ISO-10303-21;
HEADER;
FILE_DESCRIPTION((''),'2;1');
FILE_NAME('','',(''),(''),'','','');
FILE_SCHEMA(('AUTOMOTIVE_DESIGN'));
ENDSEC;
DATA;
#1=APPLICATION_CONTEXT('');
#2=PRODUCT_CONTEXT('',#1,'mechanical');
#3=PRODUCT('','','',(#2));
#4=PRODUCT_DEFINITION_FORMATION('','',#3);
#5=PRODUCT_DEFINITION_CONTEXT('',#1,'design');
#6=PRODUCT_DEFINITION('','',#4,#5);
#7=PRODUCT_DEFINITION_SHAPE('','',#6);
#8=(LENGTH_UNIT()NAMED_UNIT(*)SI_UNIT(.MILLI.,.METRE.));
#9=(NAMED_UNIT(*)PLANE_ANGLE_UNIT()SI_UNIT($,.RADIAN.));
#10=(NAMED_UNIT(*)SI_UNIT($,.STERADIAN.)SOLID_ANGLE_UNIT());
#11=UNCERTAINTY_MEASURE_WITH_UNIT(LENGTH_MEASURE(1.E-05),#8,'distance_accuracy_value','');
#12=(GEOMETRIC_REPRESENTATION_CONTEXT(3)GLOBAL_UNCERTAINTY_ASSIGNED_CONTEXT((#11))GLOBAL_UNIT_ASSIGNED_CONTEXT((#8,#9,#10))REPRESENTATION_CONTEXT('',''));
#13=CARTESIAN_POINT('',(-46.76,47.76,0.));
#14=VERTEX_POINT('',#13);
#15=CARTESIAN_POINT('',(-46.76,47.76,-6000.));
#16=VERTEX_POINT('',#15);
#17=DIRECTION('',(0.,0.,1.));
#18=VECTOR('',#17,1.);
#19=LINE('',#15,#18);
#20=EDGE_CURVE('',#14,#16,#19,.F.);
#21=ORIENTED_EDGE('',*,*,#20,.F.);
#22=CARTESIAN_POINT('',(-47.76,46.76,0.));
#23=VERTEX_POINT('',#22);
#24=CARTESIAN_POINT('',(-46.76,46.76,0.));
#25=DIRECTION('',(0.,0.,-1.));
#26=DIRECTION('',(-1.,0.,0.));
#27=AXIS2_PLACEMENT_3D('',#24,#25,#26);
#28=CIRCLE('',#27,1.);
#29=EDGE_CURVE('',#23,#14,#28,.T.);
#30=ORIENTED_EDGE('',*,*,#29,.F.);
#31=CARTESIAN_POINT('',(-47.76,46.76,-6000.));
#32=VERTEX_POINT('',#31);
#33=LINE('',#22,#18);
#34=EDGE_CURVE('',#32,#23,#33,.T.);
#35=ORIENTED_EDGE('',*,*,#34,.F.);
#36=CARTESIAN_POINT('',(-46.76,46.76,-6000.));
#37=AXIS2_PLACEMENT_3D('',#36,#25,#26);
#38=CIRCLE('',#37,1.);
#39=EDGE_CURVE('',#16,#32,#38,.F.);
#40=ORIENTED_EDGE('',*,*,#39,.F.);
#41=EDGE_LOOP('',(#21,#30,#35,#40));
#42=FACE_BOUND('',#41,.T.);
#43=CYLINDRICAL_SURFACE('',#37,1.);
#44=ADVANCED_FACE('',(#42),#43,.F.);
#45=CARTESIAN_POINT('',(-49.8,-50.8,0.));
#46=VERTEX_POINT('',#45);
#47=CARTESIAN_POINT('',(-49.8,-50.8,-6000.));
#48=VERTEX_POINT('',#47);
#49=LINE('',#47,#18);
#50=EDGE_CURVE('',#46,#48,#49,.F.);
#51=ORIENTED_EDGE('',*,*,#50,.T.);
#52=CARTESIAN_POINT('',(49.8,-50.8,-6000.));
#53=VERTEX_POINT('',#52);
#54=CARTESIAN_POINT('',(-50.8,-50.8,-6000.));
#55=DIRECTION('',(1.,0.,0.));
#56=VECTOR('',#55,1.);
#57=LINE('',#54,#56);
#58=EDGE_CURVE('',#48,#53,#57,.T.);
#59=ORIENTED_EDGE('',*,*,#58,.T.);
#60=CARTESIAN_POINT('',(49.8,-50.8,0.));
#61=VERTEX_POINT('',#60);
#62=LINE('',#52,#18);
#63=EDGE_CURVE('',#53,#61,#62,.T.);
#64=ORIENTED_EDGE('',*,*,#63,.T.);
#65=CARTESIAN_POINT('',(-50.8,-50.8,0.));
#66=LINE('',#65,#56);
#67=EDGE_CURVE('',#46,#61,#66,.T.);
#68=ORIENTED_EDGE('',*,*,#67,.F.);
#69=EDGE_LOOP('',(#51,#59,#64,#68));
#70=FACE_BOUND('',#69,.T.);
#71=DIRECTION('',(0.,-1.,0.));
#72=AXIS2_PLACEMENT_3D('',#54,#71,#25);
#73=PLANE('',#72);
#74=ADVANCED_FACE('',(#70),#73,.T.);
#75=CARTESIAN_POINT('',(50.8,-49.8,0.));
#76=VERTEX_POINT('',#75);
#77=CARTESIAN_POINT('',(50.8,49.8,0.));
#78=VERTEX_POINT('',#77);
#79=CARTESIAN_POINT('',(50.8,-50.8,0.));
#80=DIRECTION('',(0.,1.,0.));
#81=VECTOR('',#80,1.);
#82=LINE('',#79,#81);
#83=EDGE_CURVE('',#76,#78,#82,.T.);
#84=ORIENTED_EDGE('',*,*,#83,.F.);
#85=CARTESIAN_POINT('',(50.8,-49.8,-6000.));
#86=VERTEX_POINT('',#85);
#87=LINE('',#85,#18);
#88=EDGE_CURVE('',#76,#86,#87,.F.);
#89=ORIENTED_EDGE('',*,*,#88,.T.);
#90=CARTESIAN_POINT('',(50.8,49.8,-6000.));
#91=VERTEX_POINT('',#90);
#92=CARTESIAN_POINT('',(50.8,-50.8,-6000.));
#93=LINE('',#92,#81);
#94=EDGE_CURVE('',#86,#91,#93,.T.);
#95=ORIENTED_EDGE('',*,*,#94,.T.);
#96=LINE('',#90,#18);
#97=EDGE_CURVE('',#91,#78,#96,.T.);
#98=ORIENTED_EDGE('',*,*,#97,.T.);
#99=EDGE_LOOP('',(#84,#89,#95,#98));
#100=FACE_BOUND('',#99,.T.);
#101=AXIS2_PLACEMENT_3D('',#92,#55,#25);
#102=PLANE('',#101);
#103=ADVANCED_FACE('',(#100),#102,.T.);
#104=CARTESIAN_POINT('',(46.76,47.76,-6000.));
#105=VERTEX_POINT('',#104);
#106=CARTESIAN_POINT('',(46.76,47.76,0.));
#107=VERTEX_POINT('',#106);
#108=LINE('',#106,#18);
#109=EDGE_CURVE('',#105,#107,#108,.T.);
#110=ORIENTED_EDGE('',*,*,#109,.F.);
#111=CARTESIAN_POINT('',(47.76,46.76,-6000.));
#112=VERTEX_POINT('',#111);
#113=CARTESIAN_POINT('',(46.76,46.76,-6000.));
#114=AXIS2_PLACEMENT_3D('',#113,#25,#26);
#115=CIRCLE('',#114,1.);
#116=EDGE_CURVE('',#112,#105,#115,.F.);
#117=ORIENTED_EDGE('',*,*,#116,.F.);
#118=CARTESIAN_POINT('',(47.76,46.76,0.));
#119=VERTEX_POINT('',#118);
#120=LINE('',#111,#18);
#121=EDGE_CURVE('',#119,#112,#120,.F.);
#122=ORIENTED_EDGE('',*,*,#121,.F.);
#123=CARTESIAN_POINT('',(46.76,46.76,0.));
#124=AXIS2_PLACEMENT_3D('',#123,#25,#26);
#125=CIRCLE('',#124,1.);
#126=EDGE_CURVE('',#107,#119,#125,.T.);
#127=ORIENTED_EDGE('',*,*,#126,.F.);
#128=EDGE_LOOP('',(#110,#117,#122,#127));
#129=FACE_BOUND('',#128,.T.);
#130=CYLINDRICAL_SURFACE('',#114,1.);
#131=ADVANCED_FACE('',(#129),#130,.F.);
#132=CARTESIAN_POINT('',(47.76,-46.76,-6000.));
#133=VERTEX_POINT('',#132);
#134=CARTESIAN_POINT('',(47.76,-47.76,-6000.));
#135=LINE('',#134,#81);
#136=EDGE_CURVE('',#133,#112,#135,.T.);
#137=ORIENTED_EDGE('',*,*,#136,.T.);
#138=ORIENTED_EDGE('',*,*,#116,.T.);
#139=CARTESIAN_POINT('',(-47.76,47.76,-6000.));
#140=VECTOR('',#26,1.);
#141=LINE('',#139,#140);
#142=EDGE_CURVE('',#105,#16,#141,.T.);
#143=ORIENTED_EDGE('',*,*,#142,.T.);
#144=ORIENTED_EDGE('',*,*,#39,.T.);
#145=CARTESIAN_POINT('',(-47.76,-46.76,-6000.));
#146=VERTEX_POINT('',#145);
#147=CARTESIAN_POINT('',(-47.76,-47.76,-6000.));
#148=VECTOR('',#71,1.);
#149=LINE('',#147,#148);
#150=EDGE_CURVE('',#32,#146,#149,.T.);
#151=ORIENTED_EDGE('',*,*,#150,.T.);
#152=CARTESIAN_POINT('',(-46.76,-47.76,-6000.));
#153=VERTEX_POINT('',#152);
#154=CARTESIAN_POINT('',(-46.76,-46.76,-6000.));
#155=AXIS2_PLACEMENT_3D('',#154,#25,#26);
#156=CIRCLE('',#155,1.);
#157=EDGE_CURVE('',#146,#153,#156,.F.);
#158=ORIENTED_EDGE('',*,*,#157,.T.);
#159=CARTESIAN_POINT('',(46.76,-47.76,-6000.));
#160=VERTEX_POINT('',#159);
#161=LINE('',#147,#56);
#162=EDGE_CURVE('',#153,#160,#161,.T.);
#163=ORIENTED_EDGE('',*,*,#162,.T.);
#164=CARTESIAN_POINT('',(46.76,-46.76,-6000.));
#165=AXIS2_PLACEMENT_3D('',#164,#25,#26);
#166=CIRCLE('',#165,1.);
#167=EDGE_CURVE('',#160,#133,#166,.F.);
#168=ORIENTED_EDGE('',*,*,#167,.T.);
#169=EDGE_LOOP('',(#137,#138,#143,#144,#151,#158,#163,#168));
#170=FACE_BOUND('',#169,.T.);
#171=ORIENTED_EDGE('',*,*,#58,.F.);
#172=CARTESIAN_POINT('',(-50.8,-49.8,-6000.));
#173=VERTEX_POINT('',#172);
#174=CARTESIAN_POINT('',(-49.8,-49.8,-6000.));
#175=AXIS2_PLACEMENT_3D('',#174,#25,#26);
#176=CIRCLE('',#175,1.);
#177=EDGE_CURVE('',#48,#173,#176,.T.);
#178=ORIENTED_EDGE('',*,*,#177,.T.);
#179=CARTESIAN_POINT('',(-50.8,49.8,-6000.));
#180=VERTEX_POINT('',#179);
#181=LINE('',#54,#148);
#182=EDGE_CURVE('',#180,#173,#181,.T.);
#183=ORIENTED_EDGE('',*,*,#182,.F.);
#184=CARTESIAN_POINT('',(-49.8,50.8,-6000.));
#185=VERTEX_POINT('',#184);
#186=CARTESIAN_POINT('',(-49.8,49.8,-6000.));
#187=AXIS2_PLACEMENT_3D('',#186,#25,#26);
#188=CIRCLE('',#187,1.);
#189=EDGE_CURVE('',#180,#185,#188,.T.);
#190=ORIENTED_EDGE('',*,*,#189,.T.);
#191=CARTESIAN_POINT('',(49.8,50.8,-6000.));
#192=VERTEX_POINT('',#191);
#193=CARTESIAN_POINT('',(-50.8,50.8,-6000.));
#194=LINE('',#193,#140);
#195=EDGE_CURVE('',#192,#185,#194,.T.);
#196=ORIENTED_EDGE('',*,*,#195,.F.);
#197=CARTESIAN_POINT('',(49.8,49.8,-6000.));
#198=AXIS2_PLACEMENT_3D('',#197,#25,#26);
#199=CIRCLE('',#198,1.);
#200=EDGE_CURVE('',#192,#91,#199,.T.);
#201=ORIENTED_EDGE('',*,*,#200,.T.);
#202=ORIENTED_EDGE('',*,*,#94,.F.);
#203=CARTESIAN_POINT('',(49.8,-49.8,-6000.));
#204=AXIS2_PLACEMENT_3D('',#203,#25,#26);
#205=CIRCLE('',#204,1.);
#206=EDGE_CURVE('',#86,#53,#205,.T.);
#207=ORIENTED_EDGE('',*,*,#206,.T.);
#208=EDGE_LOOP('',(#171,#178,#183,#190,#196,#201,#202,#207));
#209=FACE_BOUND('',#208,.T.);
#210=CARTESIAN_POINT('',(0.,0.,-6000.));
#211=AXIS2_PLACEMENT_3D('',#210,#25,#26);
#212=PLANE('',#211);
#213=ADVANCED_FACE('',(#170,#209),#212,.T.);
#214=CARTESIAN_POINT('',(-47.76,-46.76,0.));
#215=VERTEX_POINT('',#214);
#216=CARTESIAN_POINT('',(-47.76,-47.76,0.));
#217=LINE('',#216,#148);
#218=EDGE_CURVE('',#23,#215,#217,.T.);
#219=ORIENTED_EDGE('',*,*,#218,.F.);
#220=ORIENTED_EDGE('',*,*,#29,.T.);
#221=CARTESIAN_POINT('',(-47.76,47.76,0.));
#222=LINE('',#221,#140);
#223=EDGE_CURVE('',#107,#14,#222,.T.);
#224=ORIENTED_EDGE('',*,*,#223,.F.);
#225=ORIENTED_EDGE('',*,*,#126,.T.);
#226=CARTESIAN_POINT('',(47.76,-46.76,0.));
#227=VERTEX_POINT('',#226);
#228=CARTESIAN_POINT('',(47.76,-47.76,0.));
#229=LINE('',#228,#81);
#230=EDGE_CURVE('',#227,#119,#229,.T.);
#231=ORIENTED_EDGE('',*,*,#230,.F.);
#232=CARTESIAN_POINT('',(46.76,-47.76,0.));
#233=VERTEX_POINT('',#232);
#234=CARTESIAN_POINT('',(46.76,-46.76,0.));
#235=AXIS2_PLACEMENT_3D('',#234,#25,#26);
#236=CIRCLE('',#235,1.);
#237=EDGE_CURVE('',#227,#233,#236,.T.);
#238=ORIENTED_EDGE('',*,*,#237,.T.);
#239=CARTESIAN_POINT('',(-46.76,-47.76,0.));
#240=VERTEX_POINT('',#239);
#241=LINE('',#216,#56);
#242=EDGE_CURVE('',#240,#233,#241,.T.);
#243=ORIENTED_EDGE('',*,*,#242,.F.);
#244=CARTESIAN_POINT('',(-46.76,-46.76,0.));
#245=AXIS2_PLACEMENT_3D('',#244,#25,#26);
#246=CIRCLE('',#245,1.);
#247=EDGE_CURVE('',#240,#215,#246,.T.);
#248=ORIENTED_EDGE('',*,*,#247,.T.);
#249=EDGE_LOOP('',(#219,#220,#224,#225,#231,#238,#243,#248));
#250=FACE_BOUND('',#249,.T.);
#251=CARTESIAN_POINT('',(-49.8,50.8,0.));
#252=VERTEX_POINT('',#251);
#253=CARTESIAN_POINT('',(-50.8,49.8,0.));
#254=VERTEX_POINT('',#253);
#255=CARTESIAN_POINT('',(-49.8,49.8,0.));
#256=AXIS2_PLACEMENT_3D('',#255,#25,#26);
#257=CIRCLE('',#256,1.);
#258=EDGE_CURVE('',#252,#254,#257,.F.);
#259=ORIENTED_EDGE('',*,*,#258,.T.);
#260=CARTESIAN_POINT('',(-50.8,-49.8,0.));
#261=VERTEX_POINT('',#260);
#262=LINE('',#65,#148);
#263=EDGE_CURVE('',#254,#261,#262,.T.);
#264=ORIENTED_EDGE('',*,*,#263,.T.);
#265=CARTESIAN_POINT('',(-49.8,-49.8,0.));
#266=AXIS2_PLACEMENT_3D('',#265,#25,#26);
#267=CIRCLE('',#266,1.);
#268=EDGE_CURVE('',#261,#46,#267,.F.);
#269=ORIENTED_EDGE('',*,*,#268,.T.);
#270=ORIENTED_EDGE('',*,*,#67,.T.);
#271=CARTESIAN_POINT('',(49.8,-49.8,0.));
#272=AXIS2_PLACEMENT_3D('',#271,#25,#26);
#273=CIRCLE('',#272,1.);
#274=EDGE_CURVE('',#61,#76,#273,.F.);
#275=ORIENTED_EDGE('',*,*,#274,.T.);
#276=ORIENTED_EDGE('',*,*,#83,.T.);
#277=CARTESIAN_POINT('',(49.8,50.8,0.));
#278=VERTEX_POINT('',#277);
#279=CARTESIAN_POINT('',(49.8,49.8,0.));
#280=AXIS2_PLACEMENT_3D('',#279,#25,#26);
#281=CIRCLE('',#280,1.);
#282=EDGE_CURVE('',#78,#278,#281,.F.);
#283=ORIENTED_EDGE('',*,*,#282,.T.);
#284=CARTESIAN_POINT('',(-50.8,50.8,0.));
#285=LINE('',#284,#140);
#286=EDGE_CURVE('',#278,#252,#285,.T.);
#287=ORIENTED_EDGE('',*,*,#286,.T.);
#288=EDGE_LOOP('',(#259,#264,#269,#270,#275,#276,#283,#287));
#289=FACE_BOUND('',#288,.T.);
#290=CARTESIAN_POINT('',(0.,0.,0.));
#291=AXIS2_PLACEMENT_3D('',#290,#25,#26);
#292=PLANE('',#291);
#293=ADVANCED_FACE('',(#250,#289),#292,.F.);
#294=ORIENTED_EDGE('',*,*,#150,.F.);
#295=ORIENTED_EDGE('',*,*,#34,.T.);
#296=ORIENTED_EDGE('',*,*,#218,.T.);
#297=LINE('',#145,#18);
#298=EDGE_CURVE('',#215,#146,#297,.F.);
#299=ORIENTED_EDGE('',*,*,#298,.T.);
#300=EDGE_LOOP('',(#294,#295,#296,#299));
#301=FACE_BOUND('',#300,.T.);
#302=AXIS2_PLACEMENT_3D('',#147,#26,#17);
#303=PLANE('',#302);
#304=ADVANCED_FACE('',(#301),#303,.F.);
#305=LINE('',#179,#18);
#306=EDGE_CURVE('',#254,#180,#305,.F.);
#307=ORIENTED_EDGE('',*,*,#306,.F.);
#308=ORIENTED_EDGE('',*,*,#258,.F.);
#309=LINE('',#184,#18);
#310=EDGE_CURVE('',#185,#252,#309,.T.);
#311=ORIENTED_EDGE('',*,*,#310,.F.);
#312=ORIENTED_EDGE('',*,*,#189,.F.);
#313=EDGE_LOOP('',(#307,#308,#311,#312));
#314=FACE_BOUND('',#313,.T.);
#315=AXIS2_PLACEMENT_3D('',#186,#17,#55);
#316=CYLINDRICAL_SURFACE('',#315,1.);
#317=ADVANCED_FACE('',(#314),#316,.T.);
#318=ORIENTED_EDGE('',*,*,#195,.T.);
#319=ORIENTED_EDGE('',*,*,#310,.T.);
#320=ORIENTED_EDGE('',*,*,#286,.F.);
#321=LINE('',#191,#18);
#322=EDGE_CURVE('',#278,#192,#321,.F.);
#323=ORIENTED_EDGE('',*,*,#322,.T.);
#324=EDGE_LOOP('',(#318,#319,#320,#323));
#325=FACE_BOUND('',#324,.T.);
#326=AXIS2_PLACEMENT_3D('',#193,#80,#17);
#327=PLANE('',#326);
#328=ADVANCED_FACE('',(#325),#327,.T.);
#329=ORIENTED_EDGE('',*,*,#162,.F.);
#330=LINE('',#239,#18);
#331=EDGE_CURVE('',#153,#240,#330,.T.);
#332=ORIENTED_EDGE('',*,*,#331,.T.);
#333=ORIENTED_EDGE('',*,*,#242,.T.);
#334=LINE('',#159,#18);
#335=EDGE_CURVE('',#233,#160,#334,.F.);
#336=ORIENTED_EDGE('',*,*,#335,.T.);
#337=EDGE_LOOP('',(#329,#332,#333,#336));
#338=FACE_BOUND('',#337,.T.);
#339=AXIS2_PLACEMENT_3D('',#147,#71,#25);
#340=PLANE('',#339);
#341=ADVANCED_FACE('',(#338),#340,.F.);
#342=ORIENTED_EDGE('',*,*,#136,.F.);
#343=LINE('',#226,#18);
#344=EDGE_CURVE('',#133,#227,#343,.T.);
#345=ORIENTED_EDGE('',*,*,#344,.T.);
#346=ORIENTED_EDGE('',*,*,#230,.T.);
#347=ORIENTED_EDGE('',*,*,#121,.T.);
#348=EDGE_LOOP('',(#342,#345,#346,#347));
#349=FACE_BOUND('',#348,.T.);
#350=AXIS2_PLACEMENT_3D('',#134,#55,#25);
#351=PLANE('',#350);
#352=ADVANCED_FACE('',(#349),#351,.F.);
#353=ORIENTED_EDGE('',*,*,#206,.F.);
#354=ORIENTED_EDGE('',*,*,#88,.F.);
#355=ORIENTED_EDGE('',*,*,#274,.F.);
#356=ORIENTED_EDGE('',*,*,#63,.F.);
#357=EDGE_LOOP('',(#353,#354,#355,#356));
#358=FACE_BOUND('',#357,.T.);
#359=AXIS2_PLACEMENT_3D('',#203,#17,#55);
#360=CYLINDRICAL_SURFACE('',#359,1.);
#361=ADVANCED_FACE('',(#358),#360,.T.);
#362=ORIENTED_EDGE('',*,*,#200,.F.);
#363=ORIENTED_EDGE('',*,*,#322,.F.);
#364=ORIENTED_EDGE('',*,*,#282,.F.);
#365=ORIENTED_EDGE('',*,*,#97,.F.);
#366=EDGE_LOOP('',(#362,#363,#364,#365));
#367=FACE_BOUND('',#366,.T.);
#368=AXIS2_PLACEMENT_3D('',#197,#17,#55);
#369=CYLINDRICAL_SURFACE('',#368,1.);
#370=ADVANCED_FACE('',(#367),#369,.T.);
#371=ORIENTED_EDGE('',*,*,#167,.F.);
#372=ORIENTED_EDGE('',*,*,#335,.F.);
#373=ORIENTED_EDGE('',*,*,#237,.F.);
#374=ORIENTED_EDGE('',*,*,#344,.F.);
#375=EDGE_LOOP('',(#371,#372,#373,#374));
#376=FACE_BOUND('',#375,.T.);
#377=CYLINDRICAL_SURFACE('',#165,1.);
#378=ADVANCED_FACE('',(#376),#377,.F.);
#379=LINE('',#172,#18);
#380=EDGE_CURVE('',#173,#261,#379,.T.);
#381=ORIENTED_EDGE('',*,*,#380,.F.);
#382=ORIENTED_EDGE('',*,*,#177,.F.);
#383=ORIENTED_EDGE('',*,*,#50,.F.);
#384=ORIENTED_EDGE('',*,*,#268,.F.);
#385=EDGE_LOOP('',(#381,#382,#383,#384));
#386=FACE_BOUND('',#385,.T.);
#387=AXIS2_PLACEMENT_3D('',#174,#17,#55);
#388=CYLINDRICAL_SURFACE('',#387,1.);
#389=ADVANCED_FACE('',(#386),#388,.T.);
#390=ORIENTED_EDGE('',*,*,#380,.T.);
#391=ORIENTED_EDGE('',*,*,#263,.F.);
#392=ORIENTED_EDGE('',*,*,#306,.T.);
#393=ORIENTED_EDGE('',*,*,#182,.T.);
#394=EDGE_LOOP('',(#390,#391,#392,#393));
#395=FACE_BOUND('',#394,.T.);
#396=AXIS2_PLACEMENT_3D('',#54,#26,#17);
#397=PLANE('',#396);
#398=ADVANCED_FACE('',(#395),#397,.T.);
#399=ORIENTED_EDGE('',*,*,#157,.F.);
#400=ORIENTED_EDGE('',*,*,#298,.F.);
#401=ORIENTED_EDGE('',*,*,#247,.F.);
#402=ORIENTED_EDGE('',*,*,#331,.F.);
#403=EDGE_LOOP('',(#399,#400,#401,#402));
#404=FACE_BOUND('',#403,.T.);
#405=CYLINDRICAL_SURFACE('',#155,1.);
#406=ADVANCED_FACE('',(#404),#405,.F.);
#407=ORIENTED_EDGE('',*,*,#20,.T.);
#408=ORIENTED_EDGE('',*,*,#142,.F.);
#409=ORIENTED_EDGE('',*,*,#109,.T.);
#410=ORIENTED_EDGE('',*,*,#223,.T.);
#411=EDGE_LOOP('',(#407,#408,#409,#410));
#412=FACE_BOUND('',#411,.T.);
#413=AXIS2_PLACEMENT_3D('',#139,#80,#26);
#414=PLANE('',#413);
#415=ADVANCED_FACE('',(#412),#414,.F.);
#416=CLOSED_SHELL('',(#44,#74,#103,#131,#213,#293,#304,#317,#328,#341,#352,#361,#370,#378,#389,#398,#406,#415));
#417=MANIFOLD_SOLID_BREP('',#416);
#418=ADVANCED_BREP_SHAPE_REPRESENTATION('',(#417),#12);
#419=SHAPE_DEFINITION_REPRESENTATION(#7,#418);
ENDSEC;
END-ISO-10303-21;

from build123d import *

# Parameters (mm, degrees)
CROQUIS1_W              = 101.6
CROQUIS1_H              = 101.6
CROQUIS1_W_2            = 95.52
CROQUIS1_H_2            = 95.52
SALIENTE_EXTRUIR1_DEPTH = 6000
REDONDEO1_R             = 1


with BuildPart() as part:
    # Croquis1 → Saliente-Extruir1 (new body)
    with BuildSketch(Plane.XY):
        Rectangle(CROQUIS1_W, CROQUIS1_H)
        Rectangle(CROQUIS1_W_2, CROQUIS1_H_2, mode=Mode.SUBTRACT)
    extrude(amount=-SALIENTE_EXTRUIR1_DEPTH)

    # Redondeo1
    redondeo1_edges = [part.edges().sort_by_distance(p)[0] for p in [
        (47.76, -47.76, -3000),
        (-47.76, -47.76, -3000),
        (-47.76, 47.76, -3000),
        (47.76, 47.76, -3000),
        (50.8, -50.8, -3000),
        (-50.8, -50.8, -3000),
        (-50.8, 50.8, -3000),
        (50.8, 50.8, -3000),
    ]]
    fillet(redondeo1_edges, radius=REDONDEO1_R)


solid = part.part
